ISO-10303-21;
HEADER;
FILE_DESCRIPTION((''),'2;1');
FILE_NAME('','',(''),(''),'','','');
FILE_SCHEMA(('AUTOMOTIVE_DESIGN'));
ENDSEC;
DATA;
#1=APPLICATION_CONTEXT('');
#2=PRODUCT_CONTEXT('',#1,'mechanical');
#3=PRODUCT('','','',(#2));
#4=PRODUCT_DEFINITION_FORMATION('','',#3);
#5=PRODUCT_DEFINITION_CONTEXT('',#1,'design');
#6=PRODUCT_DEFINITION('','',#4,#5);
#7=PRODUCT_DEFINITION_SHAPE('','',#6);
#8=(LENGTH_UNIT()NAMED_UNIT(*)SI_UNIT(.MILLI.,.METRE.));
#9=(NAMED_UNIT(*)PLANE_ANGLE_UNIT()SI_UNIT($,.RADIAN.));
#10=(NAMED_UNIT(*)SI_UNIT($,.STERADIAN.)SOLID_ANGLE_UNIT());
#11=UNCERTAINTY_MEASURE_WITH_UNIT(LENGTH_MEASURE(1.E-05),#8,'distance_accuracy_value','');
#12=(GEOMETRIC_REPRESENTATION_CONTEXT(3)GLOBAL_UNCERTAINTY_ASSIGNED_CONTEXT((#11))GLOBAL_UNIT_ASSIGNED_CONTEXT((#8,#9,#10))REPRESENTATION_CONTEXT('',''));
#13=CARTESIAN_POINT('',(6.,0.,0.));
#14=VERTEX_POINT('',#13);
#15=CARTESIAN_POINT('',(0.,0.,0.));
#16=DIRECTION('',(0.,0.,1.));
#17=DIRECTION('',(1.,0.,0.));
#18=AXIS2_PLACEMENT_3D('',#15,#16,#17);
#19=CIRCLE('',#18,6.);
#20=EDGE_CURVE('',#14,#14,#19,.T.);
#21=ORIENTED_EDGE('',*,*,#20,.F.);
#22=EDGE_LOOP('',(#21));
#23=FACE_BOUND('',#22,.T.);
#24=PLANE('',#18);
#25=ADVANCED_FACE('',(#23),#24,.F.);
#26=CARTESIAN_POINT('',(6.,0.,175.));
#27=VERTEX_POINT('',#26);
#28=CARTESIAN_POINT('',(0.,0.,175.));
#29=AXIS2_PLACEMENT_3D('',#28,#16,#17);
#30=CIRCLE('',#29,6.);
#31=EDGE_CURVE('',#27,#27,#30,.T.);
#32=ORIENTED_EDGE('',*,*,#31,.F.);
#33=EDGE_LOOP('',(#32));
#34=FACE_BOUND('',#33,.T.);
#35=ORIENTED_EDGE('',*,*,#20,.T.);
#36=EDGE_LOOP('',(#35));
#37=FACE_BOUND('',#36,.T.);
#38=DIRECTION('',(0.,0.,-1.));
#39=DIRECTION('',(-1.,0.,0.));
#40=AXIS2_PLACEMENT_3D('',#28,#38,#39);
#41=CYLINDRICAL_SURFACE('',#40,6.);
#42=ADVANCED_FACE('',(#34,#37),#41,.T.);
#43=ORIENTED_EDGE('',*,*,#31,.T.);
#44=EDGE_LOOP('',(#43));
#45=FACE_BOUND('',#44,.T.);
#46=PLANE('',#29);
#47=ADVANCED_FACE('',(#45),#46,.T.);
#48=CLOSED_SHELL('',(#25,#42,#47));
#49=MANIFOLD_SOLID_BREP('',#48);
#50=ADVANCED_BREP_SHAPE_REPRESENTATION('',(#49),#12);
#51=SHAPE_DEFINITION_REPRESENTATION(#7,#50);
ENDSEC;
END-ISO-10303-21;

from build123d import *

# Parameters (mm, degrees)
SKETCH_1_R      = 6
EXTRUDE_1_DEPTH = 175


with BuildPart() as part:
    # 草圖1 → 填料-伸長1 (new body)
    with BuildSketch(Plane.XY):
        Circle(SKETCH_1_R)
    extrude(amount=EXTRUDE_1_DEPTH)


solid = part.part
